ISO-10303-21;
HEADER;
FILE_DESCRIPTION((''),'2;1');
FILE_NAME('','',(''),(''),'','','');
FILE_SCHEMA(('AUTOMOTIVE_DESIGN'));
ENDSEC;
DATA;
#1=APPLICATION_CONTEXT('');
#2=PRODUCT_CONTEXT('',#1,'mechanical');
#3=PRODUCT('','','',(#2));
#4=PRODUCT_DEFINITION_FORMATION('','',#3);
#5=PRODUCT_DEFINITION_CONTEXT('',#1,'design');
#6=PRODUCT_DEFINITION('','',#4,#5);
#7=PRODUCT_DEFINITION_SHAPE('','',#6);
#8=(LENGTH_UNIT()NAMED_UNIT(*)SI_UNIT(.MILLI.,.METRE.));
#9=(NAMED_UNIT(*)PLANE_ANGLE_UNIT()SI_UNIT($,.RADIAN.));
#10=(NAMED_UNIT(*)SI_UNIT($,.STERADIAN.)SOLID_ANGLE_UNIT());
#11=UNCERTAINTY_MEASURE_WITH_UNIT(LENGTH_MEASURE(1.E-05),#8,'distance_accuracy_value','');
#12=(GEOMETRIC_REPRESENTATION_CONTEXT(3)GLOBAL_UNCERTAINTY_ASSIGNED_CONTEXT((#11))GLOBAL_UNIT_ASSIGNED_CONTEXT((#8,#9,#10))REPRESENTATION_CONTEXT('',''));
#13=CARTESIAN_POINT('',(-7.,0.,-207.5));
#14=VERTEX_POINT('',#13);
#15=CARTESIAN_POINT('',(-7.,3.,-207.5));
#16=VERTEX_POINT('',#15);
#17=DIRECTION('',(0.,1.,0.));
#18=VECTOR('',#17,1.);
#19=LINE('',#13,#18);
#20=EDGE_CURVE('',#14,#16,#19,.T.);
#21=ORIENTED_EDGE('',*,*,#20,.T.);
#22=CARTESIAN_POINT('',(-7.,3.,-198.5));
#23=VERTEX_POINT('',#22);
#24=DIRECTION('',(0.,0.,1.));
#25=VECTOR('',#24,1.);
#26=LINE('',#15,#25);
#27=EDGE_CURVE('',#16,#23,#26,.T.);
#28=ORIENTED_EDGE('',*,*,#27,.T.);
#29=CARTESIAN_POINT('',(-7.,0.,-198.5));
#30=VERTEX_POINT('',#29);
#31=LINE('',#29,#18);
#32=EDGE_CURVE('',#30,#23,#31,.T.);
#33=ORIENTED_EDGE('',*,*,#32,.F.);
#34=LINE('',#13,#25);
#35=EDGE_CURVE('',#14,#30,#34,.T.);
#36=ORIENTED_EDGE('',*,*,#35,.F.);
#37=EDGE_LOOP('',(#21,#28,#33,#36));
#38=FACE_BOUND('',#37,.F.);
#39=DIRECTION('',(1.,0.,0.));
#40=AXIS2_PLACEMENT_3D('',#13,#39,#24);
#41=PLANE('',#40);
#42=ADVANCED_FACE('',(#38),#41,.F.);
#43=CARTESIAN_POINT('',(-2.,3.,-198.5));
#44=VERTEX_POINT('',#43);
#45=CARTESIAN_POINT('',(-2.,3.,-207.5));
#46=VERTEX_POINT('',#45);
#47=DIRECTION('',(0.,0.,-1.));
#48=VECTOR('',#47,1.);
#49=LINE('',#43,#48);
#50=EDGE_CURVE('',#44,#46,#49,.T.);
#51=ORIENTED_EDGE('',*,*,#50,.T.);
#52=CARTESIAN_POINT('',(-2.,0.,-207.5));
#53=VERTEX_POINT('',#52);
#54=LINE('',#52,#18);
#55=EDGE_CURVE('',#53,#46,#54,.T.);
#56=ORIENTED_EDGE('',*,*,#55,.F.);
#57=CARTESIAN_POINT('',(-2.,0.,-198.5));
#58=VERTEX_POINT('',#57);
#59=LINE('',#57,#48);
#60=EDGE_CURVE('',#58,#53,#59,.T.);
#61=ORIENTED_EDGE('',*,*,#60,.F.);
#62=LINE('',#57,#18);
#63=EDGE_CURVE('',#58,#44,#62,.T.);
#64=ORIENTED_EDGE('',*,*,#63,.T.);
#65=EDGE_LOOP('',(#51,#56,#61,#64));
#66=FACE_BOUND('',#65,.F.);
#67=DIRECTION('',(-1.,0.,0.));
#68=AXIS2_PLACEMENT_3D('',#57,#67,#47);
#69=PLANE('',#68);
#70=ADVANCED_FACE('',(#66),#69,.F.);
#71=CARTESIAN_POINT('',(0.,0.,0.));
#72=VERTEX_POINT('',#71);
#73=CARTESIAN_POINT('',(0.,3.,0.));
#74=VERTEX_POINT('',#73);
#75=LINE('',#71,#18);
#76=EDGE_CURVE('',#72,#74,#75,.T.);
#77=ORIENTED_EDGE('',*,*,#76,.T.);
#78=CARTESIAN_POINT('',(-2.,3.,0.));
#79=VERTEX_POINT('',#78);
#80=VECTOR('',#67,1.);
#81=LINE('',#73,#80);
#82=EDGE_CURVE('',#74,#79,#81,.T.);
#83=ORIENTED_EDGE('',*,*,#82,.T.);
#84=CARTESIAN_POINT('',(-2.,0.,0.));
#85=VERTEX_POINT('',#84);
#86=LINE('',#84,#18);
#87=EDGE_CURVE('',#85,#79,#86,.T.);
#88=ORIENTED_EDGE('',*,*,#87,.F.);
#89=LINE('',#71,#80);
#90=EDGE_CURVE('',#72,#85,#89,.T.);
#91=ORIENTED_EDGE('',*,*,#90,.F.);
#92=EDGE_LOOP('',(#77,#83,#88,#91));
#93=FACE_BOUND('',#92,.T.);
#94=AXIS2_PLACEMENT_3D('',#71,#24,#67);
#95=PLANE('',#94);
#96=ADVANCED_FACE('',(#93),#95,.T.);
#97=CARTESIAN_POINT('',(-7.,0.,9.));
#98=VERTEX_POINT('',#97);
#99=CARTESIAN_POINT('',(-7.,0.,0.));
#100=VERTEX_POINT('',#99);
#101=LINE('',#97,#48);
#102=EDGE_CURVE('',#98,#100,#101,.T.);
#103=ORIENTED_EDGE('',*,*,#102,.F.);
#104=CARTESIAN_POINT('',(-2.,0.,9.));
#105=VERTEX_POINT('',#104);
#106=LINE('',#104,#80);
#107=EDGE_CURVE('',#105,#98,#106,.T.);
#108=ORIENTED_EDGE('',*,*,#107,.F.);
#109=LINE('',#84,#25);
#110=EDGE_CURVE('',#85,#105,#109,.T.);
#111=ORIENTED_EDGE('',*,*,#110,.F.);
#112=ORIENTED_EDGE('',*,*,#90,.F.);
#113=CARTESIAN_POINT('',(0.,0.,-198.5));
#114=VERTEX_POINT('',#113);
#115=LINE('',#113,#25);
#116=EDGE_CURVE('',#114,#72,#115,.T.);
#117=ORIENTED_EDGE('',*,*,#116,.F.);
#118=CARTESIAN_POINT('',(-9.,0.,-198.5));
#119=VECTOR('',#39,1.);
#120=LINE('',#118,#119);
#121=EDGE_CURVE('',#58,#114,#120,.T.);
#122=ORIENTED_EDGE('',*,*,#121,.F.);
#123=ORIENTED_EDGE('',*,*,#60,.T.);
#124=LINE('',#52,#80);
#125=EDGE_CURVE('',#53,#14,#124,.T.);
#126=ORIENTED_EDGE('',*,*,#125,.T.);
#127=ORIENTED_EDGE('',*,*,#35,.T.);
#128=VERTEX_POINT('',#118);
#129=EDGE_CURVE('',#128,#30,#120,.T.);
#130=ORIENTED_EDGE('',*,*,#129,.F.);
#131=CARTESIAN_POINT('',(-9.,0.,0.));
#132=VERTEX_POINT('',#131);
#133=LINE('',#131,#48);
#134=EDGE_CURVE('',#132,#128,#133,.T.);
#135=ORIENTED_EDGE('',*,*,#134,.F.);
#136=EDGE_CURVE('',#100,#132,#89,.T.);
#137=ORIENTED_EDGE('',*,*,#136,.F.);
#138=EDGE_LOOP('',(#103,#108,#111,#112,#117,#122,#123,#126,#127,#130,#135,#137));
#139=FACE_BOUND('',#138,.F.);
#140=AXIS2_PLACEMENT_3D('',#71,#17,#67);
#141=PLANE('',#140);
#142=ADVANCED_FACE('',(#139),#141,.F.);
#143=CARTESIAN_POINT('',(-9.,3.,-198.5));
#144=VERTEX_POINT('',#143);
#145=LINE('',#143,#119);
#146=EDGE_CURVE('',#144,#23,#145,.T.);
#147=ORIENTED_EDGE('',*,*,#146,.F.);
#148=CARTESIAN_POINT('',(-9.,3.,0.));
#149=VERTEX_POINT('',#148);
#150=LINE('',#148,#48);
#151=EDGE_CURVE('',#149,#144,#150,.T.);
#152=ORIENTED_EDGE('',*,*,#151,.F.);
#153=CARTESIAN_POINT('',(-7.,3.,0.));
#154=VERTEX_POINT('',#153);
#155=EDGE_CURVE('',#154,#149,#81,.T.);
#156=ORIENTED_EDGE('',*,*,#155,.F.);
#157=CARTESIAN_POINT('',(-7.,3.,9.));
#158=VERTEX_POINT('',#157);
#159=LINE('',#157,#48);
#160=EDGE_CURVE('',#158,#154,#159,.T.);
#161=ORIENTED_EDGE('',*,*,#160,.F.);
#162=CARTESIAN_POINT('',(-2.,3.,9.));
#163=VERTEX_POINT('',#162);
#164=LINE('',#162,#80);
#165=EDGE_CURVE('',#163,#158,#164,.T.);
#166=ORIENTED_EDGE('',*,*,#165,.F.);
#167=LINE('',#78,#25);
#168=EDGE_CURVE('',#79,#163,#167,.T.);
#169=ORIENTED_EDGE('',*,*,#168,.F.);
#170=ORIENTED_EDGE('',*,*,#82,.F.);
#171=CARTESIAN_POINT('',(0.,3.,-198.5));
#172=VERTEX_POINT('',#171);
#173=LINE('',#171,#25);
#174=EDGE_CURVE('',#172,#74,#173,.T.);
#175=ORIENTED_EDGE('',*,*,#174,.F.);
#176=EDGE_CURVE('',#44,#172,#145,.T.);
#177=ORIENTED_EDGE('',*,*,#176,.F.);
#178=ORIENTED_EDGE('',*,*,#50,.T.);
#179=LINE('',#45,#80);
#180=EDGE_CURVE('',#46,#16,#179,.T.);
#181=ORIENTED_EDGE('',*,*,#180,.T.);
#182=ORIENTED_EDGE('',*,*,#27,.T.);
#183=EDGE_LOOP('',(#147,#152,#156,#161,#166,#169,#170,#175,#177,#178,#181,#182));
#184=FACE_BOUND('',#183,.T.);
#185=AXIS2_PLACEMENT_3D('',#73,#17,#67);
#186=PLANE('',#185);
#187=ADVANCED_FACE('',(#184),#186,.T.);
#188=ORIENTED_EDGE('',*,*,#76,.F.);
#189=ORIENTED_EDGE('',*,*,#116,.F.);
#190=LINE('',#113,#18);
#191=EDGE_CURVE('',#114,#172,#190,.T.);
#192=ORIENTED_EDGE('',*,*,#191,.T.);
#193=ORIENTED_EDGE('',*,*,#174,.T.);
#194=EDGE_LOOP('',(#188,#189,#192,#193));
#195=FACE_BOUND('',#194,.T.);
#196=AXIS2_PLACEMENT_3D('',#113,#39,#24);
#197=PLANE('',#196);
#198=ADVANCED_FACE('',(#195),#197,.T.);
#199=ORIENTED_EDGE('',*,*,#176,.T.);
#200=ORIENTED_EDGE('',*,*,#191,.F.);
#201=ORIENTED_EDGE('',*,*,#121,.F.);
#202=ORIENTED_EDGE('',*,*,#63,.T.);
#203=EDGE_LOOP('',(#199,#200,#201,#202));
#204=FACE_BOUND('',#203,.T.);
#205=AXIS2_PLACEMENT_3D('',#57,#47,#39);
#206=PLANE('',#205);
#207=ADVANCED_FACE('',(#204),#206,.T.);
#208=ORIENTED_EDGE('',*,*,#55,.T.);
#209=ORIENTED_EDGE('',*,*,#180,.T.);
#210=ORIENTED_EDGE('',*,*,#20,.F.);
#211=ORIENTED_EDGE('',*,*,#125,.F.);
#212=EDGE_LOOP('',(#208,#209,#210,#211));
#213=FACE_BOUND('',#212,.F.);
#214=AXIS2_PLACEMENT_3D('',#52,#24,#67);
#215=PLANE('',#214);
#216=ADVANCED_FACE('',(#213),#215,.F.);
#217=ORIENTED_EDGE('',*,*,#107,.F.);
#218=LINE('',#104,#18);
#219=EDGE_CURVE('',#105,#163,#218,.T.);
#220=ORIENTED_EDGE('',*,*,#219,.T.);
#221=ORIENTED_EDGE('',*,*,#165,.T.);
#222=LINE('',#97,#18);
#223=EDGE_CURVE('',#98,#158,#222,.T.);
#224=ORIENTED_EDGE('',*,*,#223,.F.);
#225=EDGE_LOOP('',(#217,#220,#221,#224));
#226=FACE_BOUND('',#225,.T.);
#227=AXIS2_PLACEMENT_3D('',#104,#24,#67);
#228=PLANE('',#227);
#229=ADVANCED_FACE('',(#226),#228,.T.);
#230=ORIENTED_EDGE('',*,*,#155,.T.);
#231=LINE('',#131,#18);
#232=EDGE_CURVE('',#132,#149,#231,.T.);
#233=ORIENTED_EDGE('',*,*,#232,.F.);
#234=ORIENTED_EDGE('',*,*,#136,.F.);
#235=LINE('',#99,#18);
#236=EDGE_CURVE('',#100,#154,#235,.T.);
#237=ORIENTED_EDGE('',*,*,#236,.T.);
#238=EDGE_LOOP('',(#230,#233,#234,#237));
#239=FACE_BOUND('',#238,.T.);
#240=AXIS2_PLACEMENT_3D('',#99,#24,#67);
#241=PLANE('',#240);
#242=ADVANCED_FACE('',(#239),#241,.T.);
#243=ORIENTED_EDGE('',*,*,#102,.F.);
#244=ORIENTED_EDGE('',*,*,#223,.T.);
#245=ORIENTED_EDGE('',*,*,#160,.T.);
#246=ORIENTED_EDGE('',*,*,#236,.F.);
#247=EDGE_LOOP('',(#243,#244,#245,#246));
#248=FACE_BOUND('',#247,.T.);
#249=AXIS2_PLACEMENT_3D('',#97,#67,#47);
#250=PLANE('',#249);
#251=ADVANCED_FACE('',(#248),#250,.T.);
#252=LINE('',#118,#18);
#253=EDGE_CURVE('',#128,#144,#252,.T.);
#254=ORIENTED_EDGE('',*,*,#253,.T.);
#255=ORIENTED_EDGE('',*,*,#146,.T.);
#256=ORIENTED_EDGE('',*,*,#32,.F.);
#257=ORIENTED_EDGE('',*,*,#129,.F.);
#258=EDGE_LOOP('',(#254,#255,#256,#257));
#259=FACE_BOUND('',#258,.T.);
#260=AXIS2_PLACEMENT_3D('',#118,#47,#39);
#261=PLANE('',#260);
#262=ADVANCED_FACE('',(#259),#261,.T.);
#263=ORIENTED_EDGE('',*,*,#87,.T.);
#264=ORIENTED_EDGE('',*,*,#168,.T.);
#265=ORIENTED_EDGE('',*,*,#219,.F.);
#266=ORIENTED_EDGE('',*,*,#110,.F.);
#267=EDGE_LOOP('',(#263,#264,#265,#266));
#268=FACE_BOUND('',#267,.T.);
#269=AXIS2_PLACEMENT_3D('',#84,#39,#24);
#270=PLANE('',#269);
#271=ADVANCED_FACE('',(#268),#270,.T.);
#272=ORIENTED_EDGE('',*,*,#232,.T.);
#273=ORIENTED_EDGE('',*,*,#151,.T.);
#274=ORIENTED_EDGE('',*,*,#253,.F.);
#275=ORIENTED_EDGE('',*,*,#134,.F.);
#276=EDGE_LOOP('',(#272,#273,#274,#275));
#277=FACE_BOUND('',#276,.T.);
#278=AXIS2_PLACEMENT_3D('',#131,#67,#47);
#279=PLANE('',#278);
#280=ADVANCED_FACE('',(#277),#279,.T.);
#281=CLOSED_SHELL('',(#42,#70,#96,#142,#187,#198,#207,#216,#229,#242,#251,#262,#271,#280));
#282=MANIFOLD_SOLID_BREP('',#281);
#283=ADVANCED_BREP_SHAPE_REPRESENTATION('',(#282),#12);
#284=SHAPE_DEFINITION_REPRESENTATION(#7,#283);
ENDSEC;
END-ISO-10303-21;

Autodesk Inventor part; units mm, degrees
ref_plane "YZ Plane" through (0, 0, 0) normal (1, 0, 0) x (0, 1, 0)
ref_plane "XZ Plane" through (0, 0, 0) normal (0, 1, 0) x (-1, 0, 0)
ref_plane "XY Plane" through (0, 0, 0) normal (0, 0, 1) x (1, 0, 0)
sketch "草圖1" plane through (0, 0, 0) normal (0, 1, 0) x (-1, 0, 0)
  line L0 (0, 0) -> (9, 0)
  line L1 (9, 0) -> (9, -198.5)
  line L2 (9, -198.5) -> (0, -198.5)
  line L3 (0, -198.5) -> (0, 0)
  line L4 (7, 0) -> (2, 0)
  line L5 (2, 0) -> (2, 9)
  line L6 (2, 9) -> (7, 9)
  line L7 (7, 9) -> (7, 0)
  line L8 (7, -198.5) -> (2, -198.5)
  line L9 (2, -198.5) -> (2, -207.5)
  line L10 (2, -207.5) -> (7, -207.5)
  line L11 (7, -207.5) -> (7, -198.5)
  point P0 (4.5, 0)
  point P1 (4.5, -198.5)
  dimension "d0" = 198.5
  dimension "d1" = 9
  dimension "d2" = 9
  dimension "d3" = 5
  dimension "d4" = 9
  dimension "d5" = 5
extrude "擠出1" add sketch "草圖1" along normal blind 3
properties part number "side_Bar" material "MDF Medium Density Fiberboard"
